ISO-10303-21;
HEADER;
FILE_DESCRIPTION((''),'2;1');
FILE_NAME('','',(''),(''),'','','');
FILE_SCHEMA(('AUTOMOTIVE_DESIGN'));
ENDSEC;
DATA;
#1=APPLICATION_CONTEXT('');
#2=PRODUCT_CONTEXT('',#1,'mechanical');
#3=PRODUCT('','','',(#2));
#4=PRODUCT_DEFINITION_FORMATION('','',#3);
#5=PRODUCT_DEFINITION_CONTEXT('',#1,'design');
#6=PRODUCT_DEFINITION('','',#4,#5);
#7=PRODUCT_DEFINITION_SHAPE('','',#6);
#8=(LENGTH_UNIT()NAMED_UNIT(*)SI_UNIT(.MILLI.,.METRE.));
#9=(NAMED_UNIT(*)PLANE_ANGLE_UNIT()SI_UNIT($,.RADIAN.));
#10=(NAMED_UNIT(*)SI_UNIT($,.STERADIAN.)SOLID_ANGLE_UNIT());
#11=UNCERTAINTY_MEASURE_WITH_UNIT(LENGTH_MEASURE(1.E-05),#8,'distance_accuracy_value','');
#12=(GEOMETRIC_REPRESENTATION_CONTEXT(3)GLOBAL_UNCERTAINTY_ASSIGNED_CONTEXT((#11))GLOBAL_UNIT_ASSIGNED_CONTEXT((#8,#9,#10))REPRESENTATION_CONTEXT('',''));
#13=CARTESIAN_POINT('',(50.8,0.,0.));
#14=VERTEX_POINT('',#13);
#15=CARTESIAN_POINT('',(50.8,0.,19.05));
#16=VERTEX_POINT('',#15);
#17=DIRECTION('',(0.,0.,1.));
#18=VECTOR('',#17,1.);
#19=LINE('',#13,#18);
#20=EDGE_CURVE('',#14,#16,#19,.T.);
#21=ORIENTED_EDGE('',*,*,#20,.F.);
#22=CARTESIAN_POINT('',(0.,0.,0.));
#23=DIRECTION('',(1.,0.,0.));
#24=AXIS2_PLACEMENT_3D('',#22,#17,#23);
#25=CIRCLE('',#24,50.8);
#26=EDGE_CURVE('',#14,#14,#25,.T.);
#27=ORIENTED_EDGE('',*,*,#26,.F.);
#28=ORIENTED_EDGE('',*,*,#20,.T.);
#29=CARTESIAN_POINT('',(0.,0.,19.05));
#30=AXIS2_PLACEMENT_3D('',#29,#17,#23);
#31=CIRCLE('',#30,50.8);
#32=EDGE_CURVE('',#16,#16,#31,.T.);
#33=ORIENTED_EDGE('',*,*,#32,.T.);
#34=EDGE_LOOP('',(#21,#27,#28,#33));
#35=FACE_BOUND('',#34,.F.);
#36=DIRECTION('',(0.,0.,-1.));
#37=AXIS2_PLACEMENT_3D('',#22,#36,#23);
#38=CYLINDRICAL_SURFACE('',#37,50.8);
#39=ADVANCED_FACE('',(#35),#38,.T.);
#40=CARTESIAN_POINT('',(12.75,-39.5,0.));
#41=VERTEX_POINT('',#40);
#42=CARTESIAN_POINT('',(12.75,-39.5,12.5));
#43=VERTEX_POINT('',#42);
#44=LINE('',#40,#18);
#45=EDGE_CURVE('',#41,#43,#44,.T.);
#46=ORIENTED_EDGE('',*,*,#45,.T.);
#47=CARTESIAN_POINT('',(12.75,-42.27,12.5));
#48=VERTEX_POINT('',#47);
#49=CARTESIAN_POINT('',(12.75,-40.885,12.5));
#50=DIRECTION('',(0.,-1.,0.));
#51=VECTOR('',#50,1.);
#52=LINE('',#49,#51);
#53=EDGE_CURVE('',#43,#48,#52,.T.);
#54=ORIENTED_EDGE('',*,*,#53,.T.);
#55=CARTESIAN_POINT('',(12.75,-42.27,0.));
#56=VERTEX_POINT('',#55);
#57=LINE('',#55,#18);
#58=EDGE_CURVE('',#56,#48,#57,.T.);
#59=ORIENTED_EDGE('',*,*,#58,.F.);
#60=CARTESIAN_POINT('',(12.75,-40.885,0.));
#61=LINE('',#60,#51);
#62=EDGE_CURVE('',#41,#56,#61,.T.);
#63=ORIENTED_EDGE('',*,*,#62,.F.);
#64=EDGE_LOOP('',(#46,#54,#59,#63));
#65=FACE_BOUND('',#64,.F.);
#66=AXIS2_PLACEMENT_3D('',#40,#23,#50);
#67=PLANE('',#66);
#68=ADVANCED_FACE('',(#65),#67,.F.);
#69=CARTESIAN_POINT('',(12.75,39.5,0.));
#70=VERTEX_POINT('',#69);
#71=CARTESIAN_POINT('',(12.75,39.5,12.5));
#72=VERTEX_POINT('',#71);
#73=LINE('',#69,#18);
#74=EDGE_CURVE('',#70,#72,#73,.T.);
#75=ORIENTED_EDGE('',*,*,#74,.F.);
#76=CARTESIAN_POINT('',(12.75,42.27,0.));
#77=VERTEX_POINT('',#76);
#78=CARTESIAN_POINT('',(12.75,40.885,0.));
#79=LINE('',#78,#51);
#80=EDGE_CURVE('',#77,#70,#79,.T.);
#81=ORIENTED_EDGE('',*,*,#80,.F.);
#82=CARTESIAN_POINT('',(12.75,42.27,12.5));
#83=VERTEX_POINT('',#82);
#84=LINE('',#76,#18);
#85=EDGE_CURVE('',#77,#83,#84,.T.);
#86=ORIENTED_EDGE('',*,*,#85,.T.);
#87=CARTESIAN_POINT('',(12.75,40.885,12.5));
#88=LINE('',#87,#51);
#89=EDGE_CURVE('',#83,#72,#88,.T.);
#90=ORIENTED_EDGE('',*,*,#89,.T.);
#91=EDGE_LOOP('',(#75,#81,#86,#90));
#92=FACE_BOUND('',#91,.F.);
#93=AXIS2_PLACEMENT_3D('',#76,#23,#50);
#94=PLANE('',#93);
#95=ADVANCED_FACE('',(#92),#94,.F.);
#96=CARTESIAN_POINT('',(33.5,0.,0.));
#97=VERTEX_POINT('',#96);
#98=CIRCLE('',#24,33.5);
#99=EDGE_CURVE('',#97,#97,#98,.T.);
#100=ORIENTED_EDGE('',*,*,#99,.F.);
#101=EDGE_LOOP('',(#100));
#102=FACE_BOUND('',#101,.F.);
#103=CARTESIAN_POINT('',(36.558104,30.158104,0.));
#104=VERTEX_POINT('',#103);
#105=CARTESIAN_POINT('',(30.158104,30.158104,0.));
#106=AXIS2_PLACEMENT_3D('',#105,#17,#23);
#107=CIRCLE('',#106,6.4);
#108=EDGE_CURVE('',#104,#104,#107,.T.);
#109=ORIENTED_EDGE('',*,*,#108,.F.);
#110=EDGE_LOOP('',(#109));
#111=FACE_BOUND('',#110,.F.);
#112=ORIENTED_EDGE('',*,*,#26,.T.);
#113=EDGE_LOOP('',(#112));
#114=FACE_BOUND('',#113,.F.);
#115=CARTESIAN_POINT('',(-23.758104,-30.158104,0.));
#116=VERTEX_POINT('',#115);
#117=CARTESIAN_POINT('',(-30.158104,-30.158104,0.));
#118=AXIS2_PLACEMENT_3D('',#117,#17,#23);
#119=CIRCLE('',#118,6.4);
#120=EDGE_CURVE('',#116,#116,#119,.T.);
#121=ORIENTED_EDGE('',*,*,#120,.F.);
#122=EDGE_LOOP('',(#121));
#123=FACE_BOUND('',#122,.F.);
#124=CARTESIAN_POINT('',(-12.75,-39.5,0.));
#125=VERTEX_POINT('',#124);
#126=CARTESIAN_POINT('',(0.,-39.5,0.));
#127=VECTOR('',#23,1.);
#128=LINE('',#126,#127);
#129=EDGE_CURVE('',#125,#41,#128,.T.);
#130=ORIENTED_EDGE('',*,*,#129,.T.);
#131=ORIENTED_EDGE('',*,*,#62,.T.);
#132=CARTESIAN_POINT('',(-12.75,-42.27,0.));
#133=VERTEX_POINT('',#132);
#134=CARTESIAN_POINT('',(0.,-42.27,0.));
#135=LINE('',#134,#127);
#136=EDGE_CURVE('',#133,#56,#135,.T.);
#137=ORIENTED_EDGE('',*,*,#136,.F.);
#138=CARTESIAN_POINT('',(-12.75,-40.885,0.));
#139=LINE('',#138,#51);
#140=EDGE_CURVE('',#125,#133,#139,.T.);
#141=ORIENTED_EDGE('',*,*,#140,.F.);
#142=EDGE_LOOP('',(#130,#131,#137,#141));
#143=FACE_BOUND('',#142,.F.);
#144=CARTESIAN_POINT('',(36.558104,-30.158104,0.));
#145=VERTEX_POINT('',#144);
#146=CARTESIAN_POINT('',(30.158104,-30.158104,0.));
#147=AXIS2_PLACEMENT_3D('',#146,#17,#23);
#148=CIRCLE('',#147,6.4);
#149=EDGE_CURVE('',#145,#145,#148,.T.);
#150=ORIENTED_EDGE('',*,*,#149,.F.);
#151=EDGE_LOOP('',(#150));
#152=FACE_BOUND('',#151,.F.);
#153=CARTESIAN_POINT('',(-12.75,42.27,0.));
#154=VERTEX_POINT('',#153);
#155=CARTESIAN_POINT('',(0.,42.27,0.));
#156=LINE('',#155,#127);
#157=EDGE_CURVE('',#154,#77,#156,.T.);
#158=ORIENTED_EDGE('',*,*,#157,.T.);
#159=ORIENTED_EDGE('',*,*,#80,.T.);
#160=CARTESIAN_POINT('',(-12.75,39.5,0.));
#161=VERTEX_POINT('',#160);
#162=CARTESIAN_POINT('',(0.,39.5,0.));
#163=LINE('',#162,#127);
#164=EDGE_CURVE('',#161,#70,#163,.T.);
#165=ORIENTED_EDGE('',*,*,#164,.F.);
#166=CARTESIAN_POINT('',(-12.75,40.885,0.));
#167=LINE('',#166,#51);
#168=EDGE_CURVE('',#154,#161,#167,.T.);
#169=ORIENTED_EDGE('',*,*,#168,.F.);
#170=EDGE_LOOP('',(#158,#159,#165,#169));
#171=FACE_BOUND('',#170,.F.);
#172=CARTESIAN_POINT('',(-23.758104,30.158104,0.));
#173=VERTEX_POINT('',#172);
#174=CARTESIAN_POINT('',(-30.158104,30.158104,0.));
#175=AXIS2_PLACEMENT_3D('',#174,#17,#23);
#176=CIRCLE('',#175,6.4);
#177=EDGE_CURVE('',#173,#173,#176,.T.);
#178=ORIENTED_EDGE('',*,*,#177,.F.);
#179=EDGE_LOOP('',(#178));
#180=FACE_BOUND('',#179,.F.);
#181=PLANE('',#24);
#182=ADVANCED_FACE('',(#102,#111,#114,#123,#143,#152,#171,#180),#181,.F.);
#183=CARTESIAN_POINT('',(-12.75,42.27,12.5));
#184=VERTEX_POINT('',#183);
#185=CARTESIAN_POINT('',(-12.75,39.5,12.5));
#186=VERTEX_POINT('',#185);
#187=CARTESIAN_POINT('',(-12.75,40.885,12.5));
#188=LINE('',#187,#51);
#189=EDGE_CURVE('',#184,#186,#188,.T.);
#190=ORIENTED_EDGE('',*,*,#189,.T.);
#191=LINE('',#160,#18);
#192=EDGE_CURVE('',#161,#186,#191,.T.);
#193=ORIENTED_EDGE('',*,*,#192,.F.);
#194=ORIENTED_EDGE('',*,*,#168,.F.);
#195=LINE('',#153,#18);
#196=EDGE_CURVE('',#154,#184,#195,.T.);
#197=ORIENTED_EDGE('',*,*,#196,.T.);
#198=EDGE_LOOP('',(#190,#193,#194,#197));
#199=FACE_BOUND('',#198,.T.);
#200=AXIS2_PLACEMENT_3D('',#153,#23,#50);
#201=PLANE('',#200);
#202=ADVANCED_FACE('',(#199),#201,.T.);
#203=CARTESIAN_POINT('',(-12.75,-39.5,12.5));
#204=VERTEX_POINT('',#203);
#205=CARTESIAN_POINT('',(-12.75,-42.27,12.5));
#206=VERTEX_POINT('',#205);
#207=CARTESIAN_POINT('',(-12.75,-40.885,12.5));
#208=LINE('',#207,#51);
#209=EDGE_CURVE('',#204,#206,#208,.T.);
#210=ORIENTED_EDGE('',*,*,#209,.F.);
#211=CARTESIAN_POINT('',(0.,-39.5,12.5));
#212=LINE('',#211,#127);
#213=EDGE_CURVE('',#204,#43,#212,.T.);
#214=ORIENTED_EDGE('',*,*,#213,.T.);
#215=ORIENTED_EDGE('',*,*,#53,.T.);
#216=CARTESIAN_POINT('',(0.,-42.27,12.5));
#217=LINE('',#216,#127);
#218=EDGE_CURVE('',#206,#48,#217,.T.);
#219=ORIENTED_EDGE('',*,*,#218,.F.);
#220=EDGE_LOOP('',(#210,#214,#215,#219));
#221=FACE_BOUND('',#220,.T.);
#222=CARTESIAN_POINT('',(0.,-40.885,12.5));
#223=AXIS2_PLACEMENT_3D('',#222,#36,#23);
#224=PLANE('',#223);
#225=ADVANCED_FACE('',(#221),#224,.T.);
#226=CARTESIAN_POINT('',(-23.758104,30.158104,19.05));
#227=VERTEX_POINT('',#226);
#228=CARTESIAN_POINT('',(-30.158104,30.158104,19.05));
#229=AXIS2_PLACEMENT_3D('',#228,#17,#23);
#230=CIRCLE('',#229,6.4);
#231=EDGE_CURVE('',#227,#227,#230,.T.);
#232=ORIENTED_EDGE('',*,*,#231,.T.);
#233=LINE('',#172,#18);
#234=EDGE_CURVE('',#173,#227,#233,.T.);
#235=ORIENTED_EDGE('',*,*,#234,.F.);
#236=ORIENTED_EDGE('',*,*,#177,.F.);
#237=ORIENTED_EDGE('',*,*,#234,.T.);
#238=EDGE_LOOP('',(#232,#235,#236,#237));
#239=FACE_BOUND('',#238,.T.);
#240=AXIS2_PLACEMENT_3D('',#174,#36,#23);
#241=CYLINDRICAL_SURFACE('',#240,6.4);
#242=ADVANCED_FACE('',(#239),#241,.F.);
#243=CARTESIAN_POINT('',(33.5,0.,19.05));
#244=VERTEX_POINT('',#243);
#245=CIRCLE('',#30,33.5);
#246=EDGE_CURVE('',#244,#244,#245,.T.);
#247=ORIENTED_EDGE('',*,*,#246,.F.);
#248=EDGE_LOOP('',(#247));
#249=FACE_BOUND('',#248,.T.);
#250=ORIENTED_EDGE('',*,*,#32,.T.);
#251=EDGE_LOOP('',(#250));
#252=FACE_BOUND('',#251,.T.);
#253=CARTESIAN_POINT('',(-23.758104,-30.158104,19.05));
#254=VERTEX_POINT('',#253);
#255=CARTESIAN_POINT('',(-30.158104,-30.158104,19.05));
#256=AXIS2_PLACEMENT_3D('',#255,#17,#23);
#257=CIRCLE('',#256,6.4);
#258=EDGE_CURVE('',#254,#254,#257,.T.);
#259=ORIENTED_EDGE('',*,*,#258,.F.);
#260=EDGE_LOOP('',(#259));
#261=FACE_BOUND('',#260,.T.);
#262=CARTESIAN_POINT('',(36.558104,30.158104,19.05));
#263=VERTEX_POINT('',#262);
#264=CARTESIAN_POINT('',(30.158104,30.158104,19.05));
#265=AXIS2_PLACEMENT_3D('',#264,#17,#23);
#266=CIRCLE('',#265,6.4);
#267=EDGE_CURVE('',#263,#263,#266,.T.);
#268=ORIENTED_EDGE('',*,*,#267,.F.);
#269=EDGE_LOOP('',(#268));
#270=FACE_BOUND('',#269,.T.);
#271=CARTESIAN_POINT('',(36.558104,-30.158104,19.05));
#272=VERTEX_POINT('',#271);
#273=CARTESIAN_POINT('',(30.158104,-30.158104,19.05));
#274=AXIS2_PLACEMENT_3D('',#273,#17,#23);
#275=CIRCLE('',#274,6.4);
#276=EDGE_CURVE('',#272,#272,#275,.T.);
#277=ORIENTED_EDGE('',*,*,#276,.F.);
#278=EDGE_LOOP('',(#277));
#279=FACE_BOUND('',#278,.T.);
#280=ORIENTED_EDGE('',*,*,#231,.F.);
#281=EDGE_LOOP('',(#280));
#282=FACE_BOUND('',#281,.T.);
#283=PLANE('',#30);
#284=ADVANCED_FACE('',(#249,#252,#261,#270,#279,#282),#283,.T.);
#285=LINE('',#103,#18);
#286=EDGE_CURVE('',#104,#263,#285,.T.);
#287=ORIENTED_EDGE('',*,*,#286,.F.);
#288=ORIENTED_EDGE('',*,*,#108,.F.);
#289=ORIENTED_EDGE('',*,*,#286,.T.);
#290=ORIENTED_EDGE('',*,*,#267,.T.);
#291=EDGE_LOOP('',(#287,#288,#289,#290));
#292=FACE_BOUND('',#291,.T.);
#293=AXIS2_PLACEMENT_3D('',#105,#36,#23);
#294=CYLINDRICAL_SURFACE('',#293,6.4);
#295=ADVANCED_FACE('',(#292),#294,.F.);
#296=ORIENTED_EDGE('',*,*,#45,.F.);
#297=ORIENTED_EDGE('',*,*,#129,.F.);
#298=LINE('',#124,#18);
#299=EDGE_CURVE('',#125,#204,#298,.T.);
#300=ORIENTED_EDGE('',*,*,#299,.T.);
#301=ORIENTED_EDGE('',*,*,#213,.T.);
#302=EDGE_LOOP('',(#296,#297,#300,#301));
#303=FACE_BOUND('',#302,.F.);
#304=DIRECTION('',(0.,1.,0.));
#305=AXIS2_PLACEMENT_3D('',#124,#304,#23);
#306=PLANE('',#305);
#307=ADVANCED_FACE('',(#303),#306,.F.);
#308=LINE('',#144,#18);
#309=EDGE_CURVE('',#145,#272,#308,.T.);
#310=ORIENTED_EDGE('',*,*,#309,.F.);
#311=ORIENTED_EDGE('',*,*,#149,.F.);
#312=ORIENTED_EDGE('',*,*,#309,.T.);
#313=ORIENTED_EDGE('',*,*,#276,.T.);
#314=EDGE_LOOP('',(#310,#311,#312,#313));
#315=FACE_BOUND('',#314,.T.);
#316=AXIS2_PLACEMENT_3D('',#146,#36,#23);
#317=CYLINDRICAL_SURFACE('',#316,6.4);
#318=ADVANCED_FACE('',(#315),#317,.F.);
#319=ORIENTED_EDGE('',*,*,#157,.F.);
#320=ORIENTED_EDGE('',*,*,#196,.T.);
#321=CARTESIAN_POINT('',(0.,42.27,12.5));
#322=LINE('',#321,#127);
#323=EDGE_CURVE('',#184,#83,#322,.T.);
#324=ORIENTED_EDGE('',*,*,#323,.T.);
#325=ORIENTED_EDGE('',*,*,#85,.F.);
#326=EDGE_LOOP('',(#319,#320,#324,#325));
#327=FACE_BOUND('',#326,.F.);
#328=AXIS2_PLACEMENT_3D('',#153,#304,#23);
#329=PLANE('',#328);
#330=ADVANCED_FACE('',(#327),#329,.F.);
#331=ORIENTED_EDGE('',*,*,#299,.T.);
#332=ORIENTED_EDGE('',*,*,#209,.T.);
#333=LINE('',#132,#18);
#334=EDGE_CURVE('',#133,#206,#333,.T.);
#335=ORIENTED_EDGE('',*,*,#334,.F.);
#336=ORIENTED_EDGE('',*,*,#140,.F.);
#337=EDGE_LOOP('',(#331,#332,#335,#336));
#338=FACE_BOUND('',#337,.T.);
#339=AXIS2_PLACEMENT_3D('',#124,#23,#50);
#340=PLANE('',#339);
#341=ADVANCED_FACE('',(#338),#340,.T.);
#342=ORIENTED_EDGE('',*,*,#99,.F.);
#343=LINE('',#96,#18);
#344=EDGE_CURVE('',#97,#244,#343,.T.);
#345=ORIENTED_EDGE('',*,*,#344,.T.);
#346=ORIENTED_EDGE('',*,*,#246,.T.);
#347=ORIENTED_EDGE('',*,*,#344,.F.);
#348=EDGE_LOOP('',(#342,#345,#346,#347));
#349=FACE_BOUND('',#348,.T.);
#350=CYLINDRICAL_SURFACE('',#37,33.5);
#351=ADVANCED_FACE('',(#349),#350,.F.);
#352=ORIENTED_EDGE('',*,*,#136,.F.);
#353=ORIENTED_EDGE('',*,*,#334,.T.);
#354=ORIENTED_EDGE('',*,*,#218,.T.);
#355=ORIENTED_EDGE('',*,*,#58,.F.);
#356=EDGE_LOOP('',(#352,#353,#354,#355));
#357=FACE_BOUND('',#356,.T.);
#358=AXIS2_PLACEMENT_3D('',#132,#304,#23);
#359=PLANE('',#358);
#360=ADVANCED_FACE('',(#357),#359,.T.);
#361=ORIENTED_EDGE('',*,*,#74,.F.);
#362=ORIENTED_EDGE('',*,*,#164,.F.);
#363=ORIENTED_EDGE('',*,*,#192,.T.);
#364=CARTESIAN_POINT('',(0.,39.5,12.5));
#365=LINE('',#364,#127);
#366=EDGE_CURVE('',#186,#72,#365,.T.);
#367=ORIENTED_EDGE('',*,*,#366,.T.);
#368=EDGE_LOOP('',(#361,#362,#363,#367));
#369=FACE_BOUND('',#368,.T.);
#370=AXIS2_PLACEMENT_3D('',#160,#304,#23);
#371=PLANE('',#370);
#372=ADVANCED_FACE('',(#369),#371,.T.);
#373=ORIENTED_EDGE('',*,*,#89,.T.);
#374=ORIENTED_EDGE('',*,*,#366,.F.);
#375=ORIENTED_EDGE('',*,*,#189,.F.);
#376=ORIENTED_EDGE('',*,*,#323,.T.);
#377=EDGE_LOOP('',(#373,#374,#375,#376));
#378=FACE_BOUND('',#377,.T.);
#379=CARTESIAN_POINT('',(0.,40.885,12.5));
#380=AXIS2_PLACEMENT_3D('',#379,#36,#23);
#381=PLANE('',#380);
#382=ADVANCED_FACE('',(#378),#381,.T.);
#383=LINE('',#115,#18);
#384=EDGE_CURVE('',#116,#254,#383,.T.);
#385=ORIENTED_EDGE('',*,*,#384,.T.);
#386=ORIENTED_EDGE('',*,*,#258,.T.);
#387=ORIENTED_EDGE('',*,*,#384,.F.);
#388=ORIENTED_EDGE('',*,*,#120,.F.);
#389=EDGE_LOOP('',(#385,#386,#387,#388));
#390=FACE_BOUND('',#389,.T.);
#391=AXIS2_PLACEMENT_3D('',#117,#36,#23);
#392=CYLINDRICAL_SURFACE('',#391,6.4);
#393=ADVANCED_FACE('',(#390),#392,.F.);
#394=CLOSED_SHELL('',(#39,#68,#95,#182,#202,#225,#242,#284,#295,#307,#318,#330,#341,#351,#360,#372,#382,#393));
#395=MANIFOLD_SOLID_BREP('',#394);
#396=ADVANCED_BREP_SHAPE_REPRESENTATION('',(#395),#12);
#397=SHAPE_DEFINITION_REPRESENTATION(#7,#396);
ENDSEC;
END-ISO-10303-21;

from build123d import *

# Parameters (mm, degrees)
F0_R     = 50.8
F0_R_2   = 6.4
F0_R_3   = 33.5
F1_DEPTH = 19.05
F2_W     = 25.5
F2_H     = 2.77
F3_DEPTH = 12.5


with BuildPart() as f1:
    # F0 (on Top) → F1 (new body)
    with BuildSketch(Plane.XY):
        Circle(F0_R)
        with Locations((-30.158104, -30.158104)):
            Circle(F0_R_2, mode=Mode.SUBTRACT)
        Circle(F0_R_3, mode=Mode.SUBTRACT)
        with Locations((30.158104, -30.158104)):
            Circle(F0_R_2, mode=Mode.SUBTRACT)
        with Locations((-30.158104, 30.158104)):
            Circle(F0_R_2, mode=Mode.SUBTRACT)
        with Locations((30.158104, 30.158104)):
            Circle(F0_R_2, mode=Mode.SUBTRACT)
    extrude(amount=F1_DEPTH)

    # F2 (on face) → F3 (cut)
    with BuildSketch(Plane(origin=(0, 0, 0), x_dir=(1, 0, 0), z_dir=(0, 0, -1))):
        with Locations((0, -40.885)):
            Rectangle(F2_W, F2_H)
        with Locations((0, 40.885)):
            Rectangle(F2_W, F2_H)
    extrude(amount=-F3_DEPTH, mode=Mode.SUBTRACT)


solid = f1.part
